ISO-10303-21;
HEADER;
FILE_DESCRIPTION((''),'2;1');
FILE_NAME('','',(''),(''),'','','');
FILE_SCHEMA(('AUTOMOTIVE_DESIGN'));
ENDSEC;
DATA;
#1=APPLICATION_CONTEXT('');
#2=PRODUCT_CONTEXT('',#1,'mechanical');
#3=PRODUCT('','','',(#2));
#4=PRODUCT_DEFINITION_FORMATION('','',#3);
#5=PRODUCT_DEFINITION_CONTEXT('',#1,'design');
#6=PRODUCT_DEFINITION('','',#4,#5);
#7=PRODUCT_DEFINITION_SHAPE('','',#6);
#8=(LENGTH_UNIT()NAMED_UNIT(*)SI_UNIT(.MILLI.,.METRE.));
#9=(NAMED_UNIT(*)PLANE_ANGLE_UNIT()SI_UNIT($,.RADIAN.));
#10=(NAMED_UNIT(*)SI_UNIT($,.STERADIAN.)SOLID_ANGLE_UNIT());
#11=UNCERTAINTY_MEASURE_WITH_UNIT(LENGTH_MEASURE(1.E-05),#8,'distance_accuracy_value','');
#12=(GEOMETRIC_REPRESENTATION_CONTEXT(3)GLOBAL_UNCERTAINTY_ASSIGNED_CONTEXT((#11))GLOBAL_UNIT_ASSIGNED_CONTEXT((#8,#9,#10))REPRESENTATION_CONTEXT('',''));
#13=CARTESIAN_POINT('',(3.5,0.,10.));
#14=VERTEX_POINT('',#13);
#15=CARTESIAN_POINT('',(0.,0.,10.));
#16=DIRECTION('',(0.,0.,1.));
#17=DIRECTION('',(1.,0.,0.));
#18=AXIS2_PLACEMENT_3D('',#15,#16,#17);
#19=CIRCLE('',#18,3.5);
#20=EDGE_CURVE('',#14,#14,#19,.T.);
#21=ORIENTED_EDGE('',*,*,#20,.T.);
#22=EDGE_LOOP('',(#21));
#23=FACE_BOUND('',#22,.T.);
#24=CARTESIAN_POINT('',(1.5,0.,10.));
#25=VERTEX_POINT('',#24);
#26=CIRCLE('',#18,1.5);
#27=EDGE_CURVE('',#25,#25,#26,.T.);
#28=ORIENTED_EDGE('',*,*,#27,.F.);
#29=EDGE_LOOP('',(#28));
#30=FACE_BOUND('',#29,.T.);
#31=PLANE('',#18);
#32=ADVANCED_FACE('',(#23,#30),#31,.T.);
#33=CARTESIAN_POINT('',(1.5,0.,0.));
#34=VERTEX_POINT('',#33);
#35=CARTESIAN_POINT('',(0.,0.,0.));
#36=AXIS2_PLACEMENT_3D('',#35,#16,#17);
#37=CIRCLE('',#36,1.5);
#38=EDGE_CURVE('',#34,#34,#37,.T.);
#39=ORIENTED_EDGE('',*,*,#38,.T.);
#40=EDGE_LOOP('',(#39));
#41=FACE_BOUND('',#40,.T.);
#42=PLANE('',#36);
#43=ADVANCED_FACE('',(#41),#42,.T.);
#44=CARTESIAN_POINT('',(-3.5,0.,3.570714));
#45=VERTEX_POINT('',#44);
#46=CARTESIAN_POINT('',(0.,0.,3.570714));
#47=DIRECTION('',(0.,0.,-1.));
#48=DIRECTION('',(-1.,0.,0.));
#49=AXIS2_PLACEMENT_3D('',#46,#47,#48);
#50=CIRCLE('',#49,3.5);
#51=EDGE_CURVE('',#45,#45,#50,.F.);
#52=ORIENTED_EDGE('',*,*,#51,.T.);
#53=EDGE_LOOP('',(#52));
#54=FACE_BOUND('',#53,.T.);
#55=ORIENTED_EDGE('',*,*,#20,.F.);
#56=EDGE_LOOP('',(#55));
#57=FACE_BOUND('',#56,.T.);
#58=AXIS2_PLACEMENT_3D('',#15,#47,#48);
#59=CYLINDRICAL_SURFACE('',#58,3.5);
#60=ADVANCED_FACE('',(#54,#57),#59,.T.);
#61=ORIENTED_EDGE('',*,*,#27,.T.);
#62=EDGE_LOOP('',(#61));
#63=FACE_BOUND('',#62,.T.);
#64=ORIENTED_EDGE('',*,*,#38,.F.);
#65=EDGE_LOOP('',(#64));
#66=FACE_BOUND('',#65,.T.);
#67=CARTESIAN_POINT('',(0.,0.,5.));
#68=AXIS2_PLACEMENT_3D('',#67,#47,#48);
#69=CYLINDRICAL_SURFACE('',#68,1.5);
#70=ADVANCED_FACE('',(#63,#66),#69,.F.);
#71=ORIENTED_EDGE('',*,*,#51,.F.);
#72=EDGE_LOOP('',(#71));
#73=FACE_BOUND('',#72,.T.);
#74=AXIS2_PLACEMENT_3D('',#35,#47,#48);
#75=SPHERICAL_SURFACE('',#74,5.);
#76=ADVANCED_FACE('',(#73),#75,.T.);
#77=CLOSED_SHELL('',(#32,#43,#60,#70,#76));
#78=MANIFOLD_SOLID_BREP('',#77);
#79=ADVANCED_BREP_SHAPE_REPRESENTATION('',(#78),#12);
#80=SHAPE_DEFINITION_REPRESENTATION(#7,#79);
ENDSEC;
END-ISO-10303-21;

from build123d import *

# Parameters (mm, degrees)
SKETCH2_R           = 1.5
CUT_EXTRUDE1_DEPTH  = 6
SKETCH2_3_R         = 3.5
SKETCH2_3_R_2       = 1.5
BOSS_EXTRUDE1_DEPTH = 10


with BuildPart() as part:
    # Sketch1 → Revolve1 (revolve)
    with BuildSketch(Plane.XY):
        with BuildLine():
            Line((0, 5), (0, -5))
            ThreePointArc((0, -5), (5, 0), (0, 5))
        make_face()
    revolve(axis=Axis((0, 5, 0), (0, -1, 0)))

    # Sketch2 → Cut-Extrude1 (cut, through all)
    with BuildSketch(Plane.XY):
        with Locations(Location((0, 0, 0), (0, 0, 180))):  # turned: the seam where the file's is
            Circle(SKETCH2_R)
    extrude(amount=CUT_EXTRUDE1_DEPTH, mode=Mode.SUBTRACT)

    # Sketch2_3 → Boss-Extrude1 (add)
    with BuildSketch(Plane.XY):
        with Locations(Location((0, 0, 0), (0, 0, 180))):  # turned: the seam where the file's is
            Circle(SKETCH2_3_R)
        Circle(SKETCH2_3_R_2, mode=Mode.SUBTRACT)
    extrude(amount=BOSS_EXTRUDE1_DEPTH)


solid = part.part
